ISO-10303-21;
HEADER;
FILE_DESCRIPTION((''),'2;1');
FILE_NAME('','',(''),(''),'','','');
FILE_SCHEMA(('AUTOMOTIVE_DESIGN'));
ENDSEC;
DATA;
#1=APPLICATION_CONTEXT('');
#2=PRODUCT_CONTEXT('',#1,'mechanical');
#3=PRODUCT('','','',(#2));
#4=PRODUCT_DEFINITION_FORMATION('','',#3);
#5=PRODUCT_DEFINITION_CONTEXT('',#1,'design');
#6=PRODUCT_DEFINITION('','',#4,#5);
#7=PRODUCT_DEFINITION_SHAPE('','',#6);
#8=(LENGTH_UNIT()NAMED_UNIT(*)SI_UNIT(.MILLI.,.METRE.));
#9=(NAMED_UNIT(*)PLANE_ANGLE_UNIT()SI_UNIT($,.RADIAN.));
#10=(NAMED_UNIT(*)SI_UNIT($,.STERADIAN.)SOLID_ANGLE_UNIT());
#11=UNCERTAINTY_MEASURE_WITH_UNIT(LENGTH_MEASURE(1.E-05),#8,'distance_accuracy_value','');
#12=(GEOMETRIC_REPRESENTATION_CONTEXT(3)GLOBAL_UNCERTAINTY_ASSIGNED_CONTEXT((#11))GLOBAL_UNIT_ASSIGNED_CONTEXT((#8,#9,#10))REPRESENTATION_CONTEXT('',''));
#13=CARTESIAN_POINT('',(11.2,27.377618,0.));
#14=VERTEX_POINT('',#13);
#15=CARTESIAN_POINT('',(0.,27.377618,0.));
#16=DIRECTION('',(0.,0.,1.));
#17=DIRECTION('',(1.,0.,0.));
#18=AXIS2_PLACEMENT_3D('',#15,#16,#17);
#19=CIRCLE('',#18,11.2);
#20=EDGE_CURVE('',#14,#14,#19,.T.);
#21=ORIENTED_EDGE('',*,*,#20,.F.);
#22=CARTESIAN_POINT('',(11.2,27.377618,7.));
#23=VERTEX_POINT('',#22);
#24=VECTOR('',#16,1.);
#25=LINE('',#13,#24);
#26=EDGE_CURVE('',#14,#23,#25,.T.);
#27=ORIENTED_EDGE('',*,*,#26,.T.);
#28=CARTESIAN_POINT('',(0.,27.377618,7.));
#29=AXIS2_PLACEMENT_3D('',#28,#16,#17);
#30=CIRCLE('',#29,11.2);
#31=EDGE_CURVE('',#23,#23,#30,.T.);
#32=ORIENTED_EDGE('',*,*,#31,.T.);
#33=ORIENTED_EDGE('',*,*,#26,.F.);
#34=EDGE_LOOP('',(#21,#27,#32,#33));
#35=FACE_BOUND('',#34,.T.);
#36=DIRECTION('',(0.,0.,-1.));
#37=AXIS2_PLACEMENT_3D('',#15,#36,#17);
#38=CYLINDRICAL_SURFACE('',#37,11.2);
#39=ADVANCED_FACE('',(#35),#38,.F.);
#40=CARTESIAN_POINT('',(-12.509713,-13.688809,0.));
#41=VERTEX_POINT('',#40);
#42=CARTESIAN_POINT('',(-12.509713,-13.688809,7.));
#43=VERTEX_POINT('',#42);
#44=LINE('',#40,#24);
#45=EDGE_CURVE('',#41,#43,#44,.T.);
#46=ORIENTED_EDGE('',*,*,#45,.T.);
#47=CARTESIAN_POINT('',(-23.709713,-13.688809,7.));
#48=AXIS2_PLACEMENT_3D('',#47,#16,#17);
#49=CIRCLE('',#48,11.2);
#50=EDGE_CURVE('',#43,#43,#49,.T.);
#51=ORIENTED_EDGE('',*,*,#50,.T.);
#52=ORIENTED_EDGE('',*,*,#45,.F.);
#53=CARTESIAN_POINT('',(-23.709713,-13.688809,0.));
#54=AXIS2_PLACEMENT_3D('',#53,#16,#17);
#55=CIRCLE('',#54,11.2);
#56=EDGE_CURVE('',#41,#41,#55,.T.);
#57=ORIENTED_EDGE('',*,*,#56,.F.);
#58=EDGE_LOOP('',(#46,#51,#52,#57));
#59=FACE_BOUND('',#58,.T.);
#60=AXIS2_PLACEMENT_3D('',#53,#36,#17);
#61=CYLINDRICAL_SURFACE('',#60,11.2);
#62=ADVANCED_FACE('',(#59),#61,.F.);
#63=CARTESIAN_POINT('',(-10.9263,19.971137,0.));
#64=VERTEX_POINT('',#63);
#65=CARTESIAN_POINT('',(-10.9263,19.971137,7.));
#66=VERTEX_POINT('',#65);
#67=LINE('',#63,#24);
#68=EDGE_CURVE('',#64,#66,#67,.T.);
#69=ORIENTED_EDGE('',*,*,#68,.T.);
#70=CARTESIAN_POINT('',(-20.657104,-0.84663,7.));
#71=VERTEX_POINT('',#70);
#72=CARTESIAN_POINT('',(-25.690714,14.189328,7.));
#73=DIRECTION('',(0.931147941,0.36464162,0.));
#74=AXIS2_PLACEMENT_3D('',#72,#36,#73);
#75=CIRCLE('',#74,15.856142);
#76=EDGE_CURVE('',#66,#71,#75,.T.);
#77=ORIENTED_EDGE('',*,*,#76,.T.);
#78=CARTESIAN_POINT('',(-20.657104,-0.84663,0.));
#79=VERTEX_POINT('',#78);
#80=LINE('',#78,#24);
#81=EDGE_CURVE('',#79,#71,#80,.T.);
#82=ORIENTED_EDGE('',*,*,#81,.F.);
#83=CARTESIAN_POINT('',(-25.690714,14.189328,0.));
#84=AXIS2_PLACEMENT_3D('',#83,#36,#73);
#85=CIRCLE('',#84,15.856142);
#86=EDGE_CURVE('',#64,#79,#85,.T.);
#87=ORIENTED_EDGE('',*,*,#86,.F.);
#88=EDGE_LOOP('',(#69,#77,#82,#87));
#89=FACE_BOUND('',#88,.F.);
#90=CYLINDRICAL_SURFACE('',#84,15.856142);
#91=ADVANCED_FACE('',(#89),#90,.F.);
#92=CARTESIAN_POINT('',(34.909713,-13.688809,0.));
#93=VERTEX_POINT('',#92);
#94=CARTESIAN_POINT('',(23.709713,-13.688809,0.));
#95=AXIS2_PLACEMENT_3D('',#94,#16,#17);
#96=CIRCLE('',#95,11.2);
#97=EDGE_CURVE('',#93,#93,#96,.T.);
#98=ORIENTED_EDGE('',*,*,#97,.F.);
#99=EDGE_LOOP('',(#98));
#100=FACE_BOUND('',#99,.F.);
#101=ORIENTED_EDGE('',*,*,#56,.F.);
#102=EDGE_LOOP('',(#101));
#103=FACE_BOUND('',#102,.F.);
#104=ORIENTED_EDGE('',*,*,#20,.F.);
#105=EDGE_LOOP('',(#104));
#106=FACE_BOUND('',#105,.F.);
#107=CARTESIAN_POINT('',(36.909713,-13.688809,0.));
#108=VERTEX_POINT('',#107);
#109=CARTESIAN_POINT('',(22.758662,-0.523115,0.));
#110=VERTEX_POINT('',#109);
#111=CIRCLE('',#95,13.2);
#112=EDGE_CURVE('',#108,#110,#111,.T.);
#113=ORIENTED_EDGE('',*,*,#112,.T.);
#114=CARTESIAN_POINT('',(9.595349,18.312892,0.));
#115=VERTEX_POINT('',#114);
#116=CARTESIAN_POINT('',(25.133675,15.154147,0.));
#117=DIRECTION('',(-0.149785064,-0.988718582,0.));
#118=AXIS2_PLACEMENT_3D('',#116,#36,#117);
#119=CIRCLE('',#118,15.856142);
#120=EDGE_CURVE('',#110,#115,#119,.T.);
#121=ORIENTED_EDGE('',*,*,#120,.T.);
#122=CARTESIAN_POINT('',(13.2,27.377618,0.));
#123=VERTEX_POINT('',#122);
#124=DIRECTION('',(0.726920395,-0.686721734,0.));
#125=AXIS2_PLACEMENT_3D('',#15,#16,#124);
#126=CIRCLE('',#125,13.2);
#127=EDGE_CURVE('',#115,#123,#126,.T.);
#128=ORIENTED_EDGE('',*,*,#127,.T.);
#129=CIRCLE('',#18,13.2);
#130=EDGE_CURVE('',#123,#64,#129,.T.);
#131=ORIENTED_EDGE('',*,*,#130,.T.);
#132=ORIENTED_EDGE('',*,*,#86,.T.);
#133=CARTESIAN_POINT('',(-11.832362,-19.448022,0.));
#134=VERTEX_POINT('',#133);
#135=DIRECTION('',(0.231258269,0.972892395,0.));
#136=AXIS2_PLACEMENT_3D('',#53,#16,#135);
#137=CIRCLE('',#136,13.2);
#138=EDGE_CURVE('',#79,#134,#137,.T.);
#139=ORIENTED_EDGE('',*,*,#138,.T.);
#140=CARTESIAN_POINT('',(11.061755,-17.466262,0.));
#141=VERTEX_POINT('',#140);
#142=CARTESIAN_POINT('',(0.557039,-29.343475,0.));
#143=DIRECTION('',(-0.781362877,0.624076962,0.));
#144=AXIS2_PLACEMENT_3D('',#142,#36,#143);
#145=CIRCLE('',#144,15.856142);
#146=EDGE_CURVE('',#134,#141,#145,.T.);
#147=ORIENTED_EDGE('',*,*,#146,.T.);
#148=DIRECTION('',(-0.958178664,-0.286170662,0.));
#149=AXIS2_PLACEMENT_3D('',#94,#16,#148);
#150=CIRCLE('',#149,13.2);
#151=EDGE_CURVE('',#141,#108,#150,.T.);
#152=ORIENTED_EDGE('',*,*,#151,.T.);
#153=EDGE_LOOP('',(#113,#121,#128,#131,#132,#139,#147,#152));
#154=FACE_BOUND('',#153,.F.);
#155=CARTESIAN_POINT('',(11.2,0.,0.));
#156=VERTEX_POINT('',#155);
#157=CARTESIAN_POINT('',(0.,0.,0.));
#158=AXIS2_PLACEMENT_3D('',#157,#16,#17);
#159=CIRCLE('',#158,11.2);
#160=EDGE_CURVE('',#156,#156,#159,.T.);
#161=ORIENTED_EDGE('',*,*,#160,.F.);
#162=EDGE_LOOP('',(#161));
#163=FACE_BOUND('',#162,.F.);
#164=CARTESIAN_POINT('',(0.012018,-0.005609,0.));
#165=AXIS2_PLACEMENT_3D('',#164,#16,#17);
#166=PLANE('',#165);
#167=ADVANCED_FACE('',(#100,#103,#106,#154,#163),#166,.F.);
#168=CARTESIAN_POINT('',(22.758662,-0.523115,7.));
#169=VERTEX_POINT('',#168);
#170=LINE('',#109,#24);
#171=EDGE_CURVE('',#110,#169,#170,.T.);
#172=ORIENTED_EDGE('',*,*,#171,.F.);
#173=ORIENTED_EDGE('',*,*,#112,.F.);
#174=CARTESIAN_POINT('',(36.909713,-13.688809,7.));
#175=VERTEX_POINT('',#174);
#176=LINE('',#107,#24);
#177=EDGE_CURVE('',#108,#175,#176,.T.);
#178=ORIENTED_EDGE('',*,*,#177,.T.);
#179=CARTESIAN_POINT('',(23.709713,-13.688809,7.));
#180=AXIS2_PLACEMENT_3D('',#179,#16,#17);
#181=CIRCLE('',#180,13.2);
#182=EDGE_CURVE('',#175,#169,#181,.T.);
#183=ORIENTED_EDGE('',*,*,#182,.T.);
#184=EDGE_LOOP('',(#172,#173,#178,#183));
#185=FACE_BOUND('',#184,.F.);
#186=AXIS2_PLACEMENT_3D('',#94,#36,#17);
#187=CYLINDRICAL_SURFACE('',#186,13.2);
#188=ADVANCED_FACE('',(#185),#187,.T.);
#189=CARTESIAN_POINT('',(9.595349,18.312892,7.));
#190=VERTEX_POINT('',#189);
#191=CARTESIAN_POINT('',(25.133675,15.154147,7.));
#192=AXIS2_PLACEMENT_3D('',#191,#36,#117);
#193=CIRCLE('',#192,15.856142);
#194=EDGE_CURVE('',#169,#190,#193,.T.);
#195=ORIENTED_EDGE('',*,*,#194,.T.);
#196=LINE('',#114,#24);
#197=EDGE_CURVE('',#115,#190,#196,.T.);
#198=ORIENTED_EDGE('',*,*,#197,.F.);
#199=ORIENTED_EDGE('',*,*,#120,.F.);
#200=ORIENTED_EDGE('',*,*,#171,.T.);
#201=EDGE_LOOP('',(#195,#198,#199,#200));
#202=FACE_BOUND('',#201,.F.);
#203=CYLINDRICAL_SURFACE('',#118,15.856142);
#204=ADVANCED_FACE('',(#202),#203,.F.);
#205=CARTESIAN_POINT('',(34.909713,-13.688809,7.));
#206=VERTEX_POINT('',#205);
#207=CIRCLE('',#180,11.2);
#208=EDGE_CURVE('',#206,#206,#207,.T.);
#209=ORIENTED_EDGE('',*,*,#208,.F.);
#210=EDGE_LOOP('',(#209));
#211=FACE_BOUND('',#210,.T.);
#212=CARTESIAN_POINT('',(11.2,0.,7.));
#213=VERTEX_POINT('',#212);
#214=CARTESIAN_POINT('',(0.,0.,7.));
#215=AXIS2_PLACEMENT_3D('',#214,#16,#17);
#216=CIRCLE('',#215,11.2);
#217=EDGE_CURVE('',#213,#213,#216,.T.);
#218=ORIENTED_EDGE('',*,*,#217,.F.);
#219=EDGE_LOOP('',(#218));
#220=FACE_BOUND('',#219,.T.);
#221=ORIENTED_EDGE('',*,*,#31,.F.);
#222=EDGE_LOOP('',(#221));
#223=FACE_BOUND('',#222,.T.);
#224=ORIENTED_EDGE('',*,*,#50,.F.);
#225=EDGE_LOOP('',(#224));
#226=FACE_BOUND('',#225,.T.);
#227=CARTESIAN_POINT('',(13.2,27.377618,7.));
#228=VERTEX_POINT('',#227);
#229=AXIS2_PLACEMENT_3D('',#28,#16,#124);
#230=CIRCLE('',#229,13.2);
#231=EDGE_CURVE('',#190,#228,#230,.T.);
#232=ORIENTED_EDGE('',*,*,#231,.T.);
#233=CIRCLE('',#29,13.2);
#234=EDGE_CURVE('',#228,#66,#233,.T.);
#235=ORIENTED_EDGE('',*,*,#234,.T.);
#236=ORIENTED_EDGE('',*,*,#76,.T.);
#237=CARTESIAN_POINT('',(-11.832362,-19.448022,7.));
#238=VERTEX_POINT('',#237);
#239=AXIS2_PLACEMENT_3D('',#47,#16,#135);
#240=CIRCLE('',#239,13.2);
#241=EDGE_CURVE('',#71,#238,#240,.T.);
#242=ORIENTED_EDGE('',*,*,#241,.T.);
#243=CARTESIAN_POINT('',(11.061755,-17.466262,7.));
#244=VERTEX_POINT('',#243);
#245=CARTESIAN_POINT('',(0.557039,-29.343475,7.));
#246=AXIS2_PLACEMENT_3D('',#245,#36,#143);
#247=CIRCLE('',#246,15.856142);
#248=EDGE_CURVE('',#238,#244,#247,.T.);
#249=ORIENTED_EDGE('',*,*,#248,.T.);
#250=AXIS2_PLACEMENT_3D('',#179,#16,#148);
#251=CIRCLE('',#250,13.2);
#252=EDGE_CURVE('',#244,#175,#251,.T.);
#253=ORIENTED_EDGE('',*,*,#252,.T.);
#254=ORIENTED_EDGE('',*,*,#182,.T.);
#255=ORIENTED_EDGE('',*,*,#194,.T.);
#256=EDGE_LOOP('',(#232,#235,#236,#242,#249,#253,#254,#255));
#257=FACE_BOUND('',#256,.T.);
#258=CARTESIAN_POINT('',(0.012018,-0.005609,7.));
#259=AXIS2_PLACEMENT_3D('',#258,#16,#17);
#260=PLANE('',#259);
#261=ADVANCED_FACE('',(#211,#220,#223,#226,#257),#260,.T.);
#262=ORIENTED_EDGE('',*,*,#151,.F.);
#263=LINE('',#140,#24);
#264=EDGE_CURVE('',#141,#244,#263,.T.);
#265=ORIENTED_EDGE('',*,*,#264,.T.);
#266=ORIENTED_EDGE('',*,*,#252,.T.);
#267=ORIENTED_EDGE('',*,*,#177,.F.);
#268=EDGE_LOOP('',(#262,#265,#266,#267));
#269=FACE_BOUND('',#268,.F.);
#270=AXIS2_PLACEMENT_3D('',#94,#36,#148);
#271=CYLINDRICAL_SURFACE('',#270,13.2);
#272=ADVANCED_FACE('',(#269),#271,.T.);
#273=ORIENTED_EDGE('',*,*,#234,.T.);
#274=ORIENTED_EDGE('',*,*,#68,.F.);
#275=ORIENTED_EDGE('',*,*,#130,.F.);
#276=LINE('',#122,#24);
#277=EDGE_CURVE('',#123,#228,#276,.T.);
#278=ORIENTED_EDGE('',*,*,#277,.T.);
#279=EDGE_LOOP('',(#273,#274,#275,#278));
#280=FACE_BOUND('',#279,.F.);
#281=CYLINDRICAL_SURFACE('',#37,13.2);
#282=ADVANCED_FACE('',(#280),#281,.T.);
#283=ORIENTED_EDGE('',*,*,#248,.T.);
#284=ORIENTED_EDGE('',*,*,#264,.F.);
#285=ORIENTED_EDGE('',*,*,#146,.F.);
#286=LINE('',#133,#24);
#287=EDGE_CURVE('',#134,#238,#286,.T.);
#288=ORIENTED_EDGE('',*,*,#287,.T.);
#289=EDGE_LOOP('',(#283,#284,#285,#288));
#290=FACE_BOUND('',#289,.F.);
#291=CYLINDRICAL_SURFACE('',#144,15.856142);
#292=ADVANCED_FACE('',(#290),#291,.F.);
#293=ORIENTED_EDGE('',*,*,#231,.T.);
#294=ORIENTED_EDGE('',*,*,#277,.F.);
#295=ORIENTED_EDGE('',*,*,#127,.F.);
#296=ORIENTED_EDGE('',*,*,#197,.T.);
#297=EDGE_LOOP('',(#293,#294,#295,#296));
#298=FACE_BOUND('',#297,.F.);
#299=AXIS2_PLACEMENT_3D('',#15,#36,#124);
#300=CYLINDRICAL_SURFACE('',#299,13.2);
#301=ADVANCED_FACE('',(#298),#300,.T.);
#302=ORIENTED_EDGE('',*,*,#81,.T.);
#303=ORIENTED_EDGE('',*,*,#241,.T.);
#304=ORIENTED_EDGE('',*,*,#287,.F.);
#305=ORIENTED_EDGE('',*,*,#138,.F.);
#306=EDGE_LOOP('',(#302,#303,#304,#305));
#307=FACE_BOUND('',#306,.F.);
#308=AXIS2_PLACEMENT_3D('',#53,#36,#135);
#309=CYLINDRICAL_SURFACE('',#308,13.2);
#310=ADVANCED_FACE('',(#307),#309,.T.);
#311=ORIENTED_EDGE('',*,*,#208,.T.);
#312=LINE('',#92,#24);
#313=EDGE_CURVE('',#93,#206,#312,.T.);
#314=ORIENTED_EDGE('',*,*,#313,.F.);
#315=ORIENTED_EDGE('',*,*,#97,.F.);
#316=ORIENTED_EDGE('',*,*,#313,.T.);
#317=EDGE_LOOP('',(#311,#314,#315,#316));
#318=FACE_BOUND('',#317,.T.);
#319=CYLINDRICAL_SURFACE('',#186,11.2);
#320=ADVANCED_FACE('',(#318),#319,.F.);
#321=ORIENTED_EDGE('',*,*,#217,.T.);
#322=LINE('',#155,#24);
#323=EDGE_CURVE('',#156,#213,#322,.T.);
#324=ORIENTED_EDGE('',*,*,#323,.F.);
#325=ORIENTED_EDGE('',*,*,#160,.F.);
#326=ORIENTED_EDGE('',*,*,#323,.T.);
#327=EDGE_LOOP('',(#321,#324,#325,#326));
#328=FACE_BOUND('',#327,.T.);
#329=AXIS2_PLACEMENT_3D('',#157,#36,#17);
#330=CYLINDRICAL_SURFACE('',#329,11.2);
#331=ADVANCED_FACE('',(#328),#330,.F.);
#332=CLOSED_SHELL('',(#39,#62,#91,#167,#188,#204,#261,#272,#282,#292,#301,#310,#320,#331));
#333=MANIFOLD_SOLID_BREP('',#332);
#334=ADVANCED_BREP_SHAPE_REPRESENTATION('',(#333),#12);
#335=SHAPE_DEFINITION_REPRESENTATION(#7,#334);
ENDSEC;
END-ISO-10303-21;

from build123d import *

# Parameters (mm, degrees)
F0_R     = 13.2
F0_R_2   = 11.2
F1_DEPTH = 7


with BuildPart() as f1:
    # F0 (on Top) → F1 (new body)
    with BuildSketch(Plane.XY):
        with BuildLine():
            ThreePointArc((9.5953492139, 18.3128915938), (-1.0631566346, 14.2205026085), (-10.9263000524, 19.9711370473))
            ThreePointArc((-10.9263000524, 19.9711370473), (-11.3263382991, 7.4750183656), (-20.6571039439, -0.8466296194))
            ThreePointArc((-20.6571039439, -0.8466296194), (-13.3527241318, -5.5051193862), (-10.509713096, -13.6888092384))
            ThreePointArc((-10.509713096, -13.6888092384), (-10.8446240081, -16.6433790483), (-11.8323619992, -19.4480219384))
            ThreePointArc((-11.8323619992, -19.4480219384), (-0.8103866488, -13.5464058816), (11.06175473, -17.4662619743))
            ThreePointArc((11.06175473, -17.4662619743), (12.8468948308, -6.1895306505), (22.7586620517, -0.5231151089))
            ThreePointArc((22.7586620517, -0.5231151089), (12.1367249479, 6.071387516), (9.5953492139, 18.3128915938))
        make_face()
        Circle(F0_R, mode=Mode.SUBTRACT)
        with BuildLine():
            ThreePointArc((9.5953492139, 18.3128915938), (12.2657777907, 22.5000478532), (13.2, 27.3776184767))
            ThreePointArc((13.2, 27.3776184767), (-3.8738120313, 39.9963973537), (-10.9263000524, 19.9711370473))
            ThreePointArc((-10.9263000524, 19.9711370473), (-1.0631566346, 14.2205026085), (9.5953492139, 18.3128915938))
        make_face()
        with Locations((0, 27.3776184767)):
            Circle(F0_R_2, mode=Mode.SUBTRACT)
        with BuildLine():
            ThreePointArc((-10.509713096, -13.6888092384), (-13.3527241318, -5.5051193862), (-20.6571039439, -0.8466296194))
            ThreePointArc((-20.6571039439, -0.8466296194), (-35.6356879957, -19.3466465187), (-11.8323619992, -19.4480219384))
            ThreePointArc((-11.8323619992, -19.4480219384), (-10.8446240081, -16.6433790483), (-10.509713096, -13.6888092384))
        make_face()
        with Locations((-23.709713096, -13.6888092384)):
            Circle(F0_R_2, mode=Mode.SUBTRACT)
        with BuildLine():
            ThreePointArc((36.909713096, -13.6888092384), (32.7009901525, -4.0246001713), (22.7586620517, -0.5231151089))
            ThreePointArc((22.7586620517, -0.5231151089), (12.8468948308, -6.1895306505), (11.06175473, -17.4662619743))
            ThreePointArc((11.06175473, -17.4662619743), (25.6185019226, -26.7500697141), (36.909713096, -13.6888092384))
        make_face()
        with Locations((23.709713096, -13.6888092384)):
            Circle(F0_R_2, mode=Mode.SUBTRACT)
        Circle(F0_R)
        Circle(F0_R_2, mode=Mode.SUBTRACT)
    extrude(amount=F1_DEPTH)


solid = f1.part
